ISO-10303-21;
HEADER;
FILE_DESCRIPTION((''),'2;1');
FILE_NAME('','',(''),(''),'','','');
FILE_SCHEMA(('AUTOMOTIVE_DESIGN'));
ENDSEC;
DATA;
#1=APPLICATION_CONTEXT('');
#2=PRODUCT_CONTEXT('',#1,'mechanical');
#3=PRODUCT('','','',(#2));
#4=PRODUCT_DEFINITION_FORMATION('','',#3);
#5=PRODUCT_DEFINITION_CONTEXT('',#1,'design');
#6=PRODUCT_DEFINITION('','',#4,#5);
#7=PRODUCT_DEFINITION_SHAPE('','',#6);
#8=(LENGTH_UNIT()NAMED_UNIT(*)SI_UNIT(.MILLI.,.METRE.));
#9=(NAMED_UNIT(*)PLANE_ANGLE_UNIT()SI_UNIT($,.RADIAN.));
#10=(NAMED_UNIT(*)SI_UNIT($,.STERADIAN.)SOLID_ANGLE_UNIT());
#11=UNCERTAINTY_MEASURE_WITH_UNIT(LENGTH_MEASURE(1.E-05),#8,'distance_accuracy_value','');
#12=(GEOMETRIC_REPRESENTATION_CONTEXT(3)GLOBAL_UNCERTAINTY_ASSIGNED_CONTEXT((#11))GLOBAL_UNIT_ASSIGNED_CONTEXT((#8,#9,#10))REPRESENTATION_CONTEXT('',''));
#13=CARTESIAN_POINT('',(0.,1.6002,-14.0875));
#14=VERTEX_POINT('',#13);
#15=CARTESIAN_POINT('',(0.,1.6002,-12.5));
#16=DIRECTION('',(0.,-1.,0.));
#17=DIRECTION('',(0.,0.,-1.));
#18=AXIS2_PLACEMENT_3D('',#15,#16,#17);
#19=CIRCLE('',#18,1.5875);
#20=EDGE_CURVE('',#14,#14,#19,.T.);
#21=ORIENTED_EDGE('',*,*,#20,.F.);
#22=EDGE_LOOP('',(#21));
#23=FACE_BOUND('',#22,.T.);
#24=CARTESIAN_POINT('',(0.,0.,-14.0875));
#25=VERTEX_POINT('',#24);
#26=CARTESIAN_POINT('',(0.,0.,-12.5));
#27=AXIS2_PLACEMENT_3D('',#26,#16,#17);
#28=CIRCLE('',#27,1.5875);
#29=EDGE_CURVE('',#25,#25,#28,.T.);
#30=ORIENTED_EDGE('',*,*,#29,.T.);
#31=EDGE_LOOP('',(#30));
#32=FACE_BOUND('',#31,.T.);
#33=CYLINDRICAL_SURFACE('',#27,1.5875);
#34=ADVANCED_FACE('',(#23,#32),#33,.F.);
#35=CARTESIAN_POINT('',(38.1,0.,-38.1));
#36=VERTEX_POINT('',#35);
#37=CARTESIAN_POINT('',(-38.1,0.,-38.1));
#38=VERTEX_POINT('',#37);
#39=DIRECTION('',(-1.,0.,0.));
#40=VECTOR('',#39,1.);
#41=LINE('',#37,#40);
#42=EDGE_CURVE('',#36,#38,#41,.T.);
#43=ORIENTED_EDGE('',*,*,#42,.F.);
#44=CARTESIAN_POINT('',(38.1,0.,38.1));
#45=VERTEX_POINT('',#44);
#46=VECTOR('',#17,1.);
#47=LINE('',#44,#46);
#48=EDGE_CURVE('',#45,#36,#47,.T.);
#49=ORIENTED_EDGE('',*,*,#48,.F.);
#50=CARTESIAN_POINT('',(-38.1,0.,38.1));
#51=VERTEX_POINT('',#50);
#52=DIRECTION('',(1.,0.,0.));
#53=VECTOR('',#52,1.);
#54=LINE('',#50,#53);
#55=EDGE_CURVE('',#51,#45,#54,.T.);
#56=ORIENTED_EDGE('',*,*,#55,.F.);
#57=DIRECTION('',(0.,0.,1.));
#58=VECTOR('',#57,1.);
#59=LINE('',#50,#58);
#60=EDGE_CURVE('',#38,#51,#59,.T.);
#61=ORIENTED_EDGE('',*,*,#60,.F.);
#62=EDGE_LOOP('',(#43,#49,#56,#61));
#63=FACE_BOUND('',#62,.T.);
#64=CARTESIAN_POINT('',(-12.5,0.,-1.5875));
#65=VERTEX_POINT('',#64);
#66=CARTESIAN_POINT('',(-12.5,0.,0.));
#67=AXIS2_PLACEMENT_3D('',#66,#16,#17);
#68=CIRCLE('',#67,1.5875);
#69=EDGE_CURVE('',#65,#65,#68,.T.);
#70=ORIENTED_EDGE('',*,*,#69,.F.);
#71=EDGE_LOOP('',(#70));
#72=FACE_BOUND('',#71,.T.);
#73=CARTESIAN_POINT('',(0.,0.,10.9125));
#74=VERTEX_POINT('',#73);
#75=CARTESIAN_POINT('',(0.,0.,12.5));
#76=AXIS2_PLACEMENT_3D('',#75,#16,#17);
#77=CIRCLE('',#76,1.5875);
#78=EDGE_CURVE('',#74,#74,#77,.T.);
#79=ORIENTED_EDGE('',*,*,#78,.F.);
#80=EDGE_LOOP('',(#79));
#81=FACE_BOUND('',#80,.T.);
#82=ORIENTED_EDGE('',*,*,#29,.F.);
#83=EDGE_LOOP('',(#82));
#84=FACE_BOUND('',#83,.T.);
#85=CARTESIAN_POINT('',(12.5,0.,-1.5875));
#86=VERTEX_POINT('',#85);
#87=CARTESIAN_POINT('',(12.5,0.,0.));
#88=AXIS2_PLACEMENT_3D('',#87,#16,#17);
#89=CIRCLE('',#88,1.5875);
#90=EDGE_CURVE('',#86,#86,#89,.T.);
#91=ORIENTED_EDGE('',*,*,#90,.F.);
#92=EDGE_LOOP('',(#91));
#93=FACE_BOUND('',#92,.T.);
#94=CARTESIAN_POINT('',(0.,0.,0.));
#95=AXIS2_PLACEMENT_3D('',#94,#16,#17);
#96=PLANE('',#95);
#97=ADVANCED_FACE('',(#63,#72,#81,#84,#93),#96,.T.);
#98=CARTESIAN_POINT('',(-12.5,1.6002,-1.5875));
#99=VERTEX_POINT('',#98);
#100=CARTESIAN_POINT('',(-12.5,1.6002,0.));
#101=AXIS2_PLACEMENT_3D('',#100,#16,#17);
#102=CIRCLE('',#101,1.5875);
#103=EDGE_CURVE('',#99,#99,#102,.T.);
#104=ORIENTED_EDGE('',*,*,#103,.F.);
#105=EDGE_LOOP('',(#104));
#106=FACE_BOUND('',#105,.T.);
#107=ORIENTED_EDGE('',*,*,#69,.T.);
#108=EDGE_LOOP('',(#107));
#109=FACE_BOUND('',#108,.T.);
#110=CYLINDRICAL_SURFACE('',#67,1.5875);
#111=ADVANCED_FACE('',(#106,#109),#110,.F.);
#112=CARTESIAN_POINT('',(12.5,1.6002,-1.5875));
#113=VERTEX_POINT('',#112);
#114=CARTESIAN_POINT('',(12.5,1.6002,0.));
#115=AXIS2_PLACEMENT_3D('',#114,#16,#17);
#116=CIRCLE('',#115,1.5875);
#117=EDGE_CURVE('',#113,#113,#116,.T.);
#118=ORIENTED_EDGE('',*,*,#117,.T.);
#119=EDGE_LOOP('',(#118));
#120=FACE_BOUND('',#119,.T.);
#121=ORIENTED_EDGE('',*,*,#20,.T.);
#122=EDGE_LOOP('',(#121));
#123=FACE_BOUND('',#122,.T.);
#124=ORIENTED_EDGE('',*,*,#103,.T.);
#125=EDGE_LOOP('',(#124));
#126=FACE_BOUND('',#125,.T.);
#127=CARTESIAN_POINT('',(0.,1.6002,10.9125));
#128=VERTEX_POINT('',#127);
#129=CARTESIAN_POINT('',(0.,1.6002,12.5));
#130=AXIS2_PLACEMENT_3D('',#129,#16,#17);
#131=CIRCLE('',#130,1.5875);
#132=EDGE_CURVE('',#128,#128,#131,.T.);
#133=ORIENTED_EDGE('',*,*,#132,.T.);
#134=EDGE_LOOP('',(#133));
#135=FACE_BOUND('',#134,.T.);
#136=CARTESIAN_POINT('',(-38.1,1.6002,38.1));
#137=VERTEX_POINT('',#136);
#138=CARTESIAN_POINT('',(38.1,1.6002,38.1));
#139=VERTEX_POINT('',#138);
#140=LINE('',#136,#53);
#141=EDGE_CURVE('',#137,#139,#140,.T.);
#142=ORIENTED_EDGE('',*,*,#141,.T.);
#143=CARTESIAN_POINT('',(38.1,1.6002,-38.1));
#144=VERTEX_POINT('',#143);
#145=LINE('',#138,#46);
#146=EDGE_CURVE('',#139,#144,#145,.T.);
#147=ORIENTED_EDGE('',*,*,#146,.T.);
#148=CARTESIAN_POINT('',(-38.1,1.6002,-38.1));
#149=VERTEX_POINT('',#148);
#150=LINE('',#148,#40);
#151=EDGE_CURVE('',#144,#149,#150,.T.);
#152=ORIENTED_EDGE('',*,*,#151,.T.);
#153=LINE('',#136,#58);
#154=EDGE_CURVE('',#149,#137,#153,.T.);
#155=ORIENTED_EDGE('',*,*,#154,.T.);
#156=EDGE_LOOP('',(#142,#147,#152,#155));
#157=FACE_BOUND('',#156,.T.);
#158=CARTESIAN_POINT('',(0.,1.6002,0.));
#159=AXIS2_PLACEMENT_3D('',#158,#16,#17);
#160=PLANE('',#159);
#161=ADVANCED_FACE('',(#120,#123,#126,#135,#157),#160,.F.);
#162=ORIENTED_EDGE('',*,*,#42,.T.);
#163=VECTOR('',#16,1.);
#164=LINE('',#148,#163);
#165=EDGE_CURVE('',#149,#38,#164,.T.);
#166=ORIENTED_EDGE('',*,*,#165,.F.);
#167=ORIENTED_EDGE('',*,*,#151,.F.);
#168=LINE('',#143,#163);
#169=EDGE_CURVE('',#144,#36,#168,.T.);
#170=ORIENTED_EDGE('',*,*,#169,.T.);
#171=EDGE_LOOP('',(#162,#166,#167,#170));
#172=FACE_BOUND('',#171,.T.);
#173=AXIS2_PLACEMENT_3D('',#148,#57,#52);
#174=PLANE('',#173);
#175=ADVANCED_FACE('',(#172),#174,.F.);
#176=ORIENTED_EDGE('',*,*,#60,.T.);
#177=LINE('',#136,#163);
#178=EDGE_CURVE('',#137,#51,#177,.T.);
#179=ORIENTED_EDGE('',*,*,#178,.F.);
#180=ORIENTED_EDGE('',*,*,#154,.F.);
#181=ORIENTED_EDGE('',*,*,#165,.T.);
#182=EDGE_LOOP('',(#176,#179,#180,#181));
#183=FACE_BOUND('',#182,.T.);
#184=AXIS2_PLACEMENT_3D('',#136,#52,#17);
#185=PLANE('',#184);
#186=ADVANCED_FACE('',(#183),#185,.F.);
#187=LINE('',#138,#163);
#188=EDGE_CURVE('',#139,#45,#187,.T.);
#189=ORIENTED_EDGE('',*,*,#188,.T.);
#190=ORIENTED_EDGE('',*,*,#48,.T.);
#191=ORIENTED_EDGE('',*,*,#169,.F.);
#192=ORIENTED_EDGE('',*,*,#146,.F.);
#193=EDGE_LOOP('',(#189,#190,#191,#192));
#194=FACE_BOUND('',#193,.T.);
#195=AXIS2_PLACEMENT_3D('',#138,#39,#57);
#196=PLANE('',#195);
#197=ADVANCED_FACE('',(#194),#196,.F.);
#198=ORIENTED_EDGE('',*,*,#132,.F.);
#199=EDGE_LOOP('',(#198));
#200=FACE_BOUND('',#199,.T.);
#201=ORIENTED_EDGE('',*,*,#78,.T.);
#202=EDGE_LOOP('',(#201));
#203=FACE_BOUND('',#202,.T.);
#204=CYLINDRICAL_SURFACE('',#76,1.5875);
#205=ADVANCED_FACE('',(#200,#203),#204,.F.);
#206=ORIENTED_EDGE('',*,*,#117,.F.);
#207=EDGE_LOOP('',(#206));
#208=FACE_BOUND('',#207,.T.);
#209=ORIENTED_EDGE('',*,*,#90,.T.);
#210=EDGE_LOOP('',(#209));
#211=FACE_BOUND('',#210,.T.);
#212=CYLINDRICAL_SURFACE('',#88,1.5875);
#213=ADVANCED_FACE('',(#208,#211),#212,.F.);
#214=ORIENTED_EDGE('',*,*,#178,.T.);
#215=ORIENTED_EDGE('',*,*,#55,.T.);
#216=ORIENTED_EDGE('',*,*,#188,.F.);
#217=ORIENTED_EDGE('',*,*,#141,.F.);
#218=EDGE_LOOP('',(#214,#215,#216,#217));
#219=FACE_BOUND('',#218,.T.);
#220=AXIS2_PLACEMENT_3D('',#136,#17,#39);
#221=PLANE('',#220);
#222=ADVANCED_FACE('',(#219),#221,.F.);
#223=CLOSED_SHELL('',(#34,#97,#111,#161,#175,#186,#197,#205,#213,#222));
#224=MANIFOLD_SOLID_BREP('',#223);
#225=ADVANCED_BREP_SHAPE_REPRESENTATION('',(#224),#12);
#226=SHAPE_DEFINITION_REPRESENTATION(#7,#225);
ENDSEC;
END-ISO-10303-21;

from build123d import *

# Parameters (mm, degrees)
SKETCH1_W                    = 76.2
SKETCH1_H                    = 76.2
BOSS_EXTRUDE1_DEPTH          = 1.6002
F_1_8_0_125_DIAMETER_HOLE1_D = 3.175


with BuildPart() as part:
    # Sketch1 → Boss-Extrude1 (new body)
    with BuildSketch(Plane(origin=(0, 0, 0), x_dir=(1, 0, 0), z_dir=(0, 1, 0))):
        Rectangle(SKETCH1_W, SKETCH1_H)
    extrude(amount=BOSS_EXTRUDE1_DEPTH)

    # 1/8 (0.125) Diameter Hole1 (through all)
    with Locations(Plane(origin=(0, 0, 0), x_dir=(-1, 0, 0), z_dir=(0, -1, 0))):
        with Locations((0, 12.5), (0, -12.5), (12.5, 0), (-12.5, 0)):
            Hole(F_1_8_0_125_DIAMETER_HOLE1_D / 2)


solid = part.part
